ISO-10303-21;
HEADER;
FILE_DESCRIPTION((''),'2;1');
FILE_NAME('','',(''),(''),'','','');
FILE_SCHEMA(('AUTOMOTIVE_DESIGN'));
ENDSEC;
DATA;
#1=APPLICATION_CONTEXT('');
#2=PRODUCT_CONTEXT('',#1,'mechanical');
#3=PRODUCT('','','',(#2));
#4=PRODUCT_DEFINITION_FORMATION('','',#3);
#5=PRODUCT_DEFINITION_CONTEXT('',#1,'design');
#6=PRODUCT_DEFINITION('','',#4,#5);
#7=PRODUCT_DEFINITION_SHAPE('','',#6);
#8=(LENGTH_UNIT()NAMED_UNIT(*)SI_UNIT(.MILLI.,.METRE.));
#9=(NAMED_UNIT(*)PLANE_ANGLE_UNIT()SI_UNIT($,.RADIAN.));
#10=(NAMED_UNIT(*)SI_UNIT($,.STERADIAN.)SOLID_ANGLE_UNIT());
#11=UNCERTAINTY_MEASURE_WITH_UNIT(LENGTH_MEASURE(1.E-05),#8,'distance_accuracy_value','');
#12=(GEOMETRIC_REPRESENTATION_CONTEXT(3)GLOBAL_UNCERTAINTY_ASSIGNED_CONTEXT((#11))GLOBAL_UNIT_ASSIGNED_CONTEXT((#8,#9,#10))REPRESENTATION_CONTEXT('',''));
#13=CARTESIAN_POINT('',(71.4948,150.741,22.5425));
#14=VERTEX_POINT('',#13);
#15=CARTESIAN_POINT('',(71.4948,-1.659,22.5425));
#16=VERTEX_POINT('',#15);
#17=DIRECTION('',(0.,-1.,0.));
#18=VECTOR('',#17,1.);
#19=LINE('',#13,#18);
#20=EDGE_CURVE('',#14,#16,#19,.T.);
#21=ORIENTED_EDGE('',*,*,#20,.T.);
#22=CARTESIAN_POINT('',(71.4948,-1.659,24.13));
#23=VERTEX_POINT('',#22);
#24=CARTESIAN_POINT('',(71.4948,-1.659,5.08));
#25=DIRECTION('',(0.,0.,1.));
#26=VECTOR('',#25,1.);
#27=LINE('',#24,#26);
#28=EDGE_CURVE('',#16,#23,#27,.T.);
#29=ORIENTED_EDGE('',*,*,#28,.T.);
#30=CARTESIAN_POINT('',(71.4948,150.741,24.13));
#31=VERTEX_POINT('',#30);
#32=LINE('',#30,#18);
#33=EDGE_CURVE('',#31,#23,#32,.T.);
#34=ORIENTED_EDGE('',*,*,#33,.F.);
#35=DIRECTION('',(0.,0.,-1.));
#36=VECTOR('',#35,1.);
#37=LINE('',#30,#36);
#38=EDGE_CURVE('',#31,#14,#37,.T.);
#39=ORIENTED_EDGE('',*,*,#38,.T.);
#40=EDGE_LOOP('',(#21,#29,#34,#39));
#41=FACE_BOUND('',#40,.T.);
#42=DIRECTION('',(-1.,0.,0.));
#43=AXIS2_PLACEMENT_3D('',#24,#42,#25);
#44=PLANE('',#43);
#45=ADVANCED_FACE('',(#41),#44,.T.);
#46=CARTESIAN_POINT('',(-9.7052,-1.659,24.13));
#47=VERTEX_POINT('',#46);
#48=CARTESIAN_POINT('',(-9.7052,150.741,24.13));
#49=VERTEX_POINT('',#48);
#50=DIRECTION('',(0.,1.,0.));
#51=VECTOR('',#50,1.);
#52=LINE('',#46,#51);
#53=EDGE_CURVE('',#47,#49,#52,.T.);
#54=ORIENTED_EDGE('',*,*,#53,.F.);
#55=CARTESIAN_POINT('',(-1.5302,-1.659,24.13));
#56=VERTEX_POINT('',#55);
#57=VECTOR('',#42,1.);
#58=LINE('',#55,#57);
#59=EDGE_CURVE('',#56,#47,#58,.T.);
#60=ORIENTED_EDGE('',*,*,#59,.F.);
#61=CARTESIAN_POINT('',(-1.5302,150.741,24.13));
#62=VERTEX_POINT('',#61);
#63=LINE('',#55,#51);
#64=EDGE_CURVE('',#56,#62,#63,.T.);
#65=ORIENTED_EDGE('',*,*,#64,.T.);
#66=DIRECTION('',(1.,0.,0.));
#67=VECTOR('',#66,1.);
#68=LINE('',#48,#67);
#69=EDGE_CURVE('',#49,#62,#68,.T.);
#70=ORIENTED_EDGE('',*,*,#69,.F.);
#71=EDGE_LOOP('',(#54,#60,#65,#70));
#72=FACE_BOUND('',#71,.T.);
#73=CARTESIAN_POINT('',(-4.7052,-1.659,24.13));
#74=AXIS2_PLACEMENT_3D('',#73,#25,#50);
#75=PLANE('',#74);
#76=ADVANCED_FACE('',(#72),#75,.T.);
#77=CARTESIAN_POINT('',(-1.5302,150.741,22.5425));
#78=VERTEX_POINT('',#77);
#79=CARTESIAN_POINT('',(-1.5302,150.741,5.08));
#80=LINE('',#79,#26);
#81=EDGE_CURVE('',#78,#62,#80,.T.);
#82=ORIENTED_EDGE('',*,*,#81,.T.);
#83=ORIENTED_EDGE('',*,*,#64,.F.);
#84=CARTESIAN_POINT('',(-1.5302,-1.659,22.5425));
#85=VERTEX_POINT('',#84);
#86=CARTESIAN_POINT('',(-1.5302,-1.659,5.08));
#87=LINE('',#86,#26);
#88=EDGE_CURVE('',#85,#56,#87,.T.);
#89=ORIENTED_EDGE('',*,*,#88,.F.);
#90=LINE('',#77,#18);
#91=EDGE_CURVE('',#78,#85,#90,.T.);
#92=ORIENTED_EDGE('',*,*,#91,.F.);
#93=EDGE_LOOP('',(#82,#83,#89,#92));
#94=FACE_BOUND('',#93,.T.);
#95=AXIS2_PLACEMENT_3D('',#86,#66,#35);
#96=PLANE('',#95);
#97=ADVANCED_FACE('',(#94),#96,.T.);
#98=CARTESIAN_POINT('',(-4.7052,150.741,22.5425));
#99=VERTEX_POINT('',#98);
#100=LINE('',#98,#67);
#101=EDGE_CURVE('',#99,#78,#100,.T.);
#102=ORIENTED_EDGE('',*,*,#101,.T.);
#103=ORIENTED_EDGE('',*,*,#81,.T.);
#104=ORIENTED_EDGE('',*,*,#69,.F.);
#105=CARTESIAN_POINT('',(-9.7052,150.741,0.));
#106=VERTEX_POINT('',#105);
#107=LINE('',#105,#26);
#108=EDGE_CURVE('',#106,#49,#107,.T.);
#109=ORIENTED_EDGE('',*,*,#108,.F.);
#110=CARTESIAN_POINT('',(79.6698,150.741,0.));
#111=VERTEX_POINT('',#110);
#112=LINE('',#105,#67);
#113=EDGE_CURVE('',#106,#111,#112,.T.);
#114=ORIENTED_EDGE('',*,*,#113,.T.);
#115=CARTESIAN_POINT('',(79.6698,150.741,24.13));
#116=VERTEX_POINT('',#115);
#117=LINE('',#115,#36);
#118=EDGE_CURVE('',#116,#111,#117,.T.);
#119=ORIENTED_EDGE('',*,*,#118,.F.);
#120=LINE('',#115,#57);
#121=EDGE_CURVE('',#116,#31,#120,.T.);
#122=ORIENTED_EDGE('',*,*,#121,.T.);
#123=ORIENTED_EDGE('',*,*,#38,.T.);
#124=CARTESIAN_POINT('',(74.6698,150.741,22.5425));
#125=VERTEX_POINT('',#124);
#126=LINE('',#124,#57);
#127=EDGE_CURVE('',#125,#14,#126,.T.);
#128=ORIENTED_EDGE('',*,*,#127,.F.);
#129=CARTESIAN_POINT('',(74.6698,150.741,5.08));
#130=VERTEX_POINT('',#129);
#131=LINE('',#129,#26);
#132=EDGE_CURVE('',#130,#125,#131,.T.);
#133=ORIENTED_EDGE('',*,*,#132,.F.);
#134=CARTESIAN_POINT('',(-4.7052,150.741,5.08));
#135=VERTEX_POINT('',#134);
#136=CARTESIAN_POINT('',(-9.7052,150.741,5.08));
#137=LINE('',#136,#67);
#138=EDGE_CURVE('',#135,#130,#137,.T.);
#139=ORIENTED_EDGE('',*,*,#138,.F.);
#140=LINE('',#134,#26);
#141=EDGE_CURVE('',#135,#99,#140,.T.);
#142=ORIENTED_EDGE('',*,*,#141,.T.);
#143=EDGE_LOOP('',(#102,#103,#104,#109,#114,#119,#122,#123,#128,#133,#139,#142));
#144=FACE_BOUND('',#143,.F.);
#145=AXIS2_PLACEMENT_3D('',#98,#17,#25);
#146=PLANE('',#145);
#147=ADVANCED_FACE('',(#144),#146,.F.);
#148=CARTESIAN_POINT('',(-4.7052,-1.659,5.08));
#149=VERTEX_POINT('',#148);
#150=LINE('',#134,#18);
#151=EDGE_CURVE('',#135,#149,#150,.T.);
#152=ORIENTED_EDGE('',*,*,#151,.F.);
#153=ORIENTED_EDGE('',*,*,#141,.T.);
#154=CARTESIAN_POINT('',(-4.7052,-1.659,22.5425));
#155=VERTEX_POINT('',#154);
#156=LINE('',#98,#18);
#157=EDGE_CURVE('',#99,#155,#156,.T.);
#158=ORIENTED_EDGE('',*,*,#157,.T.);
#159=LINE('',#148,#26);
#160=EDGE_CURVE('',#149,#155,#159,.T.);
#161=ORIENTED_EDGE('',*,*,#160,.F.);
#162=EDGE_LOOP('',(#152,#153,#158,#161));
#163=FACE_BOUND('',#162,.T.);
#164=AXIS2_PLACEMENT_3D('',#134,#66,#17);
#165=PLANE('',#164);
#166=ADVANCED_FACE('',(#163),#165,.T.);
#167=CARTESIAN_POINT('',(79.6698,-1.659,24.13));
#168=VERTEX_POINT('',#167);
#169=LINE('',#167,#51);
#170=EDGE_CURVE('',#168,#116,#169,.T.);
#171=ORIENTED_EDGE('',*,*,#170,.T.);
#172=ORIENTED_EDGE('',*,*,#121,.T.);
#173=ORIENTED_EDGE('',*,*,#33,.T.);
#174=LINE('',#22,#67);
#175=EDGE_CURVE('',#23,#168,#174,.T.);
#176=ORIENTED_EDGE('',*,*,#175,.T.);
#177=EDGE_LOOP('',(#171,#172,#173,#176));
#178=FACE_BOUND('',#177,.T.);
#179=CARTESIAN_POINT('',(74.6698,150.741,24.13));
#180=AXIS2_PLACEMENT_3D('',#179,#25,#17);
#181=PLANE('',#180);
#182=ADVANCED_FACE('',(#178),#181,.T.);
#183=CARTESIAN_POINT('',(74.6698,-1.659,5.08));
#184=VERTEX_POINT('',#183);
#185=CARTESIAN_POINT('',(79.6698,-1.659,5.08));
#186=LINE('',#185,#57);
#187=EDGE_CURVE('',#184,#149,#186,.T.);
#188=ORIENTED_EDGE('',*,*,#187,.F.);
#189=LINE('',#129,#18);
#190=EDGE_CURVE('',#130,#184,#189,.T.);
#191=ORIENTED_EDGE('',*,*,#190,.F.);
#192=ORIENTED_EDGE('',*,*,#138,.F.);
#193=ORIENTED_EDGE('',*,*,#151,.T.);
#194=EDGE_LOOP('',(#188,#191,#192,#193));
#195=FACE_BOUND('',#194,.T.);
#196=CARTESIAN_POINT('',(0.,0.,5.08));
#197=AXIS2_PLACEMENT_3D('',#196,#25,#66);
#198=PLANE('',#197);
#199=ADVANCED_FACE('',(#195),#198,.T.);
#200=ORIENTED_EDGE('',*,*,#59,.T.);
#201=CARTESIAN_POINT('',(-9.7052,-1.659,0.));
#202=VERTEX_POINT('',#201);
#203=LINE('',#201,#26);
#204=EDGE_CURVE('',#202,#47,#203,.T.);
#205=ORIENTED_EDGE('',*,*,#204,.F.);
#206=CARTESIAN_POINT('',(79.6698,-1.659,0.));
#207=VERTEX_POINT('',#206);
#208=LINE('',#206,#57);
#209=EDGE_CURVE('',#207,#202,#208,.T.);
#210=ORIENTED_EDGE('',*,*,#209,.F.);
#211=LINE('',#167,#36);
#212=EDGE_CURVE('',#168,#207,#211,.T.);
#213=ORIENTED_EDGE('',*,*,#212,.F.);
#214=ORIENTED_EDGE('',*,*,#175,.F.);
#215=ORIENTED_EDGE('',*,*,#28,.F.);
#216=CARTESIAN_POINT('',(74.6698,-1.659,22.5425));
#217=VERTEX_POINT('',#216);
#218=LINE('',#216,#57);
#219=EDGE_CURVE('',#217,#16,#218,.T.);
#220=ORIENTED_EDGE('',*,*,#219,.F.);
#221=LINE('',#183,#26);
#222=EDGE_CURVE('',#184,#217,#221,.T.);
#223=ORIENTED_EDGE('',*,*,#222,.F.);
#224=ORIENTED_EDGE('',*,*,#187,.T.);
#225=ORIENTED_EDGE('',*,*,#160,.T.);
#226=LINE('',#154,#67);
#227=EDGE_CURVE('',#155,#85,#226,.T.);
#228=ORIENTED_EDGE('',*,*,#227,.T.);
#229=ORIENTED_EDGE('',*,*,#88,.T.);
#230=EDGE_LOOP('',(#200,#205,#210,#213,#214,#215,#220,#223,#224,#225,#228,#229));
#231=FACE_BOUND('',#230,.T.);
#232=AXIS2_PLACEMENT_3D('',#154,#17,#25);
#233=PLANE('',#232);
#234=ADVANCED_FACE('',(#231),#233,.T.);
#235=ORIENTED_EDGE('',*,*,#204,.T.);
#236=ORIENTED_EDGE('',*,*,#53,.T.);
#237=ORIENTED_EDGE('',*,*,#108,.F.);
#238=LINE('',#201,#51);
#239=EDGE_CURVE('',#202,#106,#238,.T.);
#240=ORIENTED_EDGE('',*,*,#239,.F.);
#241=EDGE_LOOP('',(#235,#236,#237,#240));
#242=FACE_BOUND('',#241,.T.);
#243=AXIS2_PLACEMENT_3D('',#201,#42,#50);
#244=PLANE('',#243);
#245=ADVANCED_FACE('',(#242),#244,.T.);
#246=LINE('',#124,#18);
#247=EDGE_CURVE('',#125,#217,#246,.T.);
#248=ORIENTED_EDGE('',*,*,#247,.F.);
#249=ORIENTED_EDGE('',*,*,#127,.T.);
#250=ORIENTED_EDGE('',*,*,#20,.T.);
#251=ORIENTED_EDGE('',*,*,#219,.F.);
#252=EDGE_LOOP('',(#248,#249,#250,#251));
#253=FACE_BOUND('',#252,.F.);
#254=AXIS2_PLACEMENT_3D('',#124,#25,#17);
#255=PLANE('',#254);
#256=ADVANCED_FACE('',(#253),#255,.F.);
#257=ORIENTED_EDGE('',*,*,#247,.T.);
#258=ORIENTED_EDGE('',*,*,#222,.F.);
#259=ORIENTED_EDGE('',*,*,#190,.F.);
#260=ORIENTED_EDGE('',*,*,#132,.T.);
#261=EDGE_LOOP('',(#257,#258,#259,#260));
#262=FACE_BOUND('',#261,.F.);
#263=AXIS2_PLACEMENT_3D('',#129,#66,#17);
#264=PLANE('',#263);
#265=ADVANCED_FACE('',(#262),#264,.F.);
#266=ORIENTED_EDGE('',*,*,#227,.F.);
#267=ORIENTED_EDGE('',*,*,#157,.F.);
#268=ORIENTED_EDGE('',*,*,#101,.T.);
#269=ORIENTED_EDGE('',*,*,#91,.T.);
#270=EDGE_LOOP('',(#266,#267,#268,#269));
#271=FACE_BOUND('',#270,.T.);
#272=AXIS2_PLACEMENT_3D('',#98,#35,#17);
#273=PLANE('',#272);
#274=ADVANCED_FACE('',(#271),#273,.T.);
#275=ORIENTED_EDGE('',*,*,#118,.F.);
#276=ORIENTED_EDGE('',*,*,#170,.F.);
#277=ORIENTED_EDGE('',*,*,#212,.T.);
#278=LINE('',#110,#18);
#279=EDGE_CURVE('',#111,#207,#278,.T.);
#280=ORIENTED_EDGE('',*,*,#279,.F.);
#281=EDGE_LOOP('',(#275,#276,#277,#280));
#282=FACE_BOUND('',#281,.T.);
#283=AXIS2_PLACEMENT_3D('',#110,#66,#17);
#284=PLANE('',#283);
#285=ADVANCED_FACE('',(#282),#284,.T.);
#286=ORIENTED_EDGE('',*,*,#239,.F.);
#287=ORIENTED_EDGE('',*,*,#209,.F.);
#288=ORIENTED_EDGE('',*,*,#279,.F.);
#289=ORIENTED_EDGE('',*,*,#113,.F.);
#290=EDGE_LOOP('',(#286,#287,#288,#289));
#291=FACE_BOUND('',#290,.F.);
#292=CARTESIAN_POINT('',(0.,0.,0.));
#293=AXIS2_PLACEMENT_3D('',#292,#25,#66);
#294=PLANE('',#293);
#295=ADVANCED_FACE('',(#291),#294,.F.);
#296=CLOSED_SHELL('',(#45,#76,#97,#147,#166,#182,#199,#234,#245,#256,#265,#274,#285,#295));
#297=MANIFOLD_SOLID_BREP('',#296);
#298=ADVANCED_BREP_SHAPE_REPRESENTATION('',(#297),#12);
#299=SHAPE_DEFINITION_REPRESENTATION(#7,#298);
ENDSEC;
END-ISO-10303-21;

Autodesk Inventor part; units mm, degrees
ref_plane "YZ Plane" through (0, 0, 0) normal (1, 0, 0) x (0, 1, 0)
ref_plane "XZ Plane" through (0, 0, 0) normal (0, 1, 0) x (-1, 0, 0)
ref_plane "XY Plane" through (0, 0, 0) normal (0, 0, 1) x (1, 0, 0)
sketch "Sketch1" plane through (0, 0, 0) normal (0, 0, 1) x (1, 0, 0)
  line L0 (-9.7052, 150.741) -> (79.6698, 150.741)
  line L1 (79.6698, 150.741) -> (79.6698, -1.659)
  line L2 (79.6698, -1.659) -> (-9.7052, -1.659)
  line L3 (-9.7052, -1.659) -> (-9.7052, 150.741)
  point P0 (0, 0)
  dimension "d0" = 89.375
  dimension "d1" = 152.4
extrude "Extrusion1" add sketch "Sketch1" along normal blind 5.08
sketch "Sketch2" plane through (0, 0, 5.08) normal (0, 0, 1) x (1, 0, 0)
  line L0 (79.6698, 150.741) -> (-9.7052, 150.741) projected
  line L1 (-9.7052, -1.659) -> (79.6698, -1.659) projected
  line L2 (-9.7052, 150.741) -> (-4.7052, 150.741)
  line L3 (-4.7052, 150.741) -> (-4.7052, -1.659)
  line L4 (-4.7052, -1.659) -> (-9.7052, -1.659)
  line L5 (-9.7052, -1.659) -> (-9.7052, 150.741)
  line L6 (79.6698, 150.741) -> (74.6698, 150.741)
  line L7 (74.6698, 150.741) -> (74.6698, -1.659)
  line L8 (74.6698, -1.659) -> (79.6698, -1.659)
  line L9 (79.6698, -1.659) -> (79.6698, 150.741)
  point P0 (0, 0)
  dimension "d4" = 5
  dimension "d5" = 5
extrude "Extrusion2" add sketch "Sketch2" along normal blind 19.05 contours L9 L1 L7 L0 | L3 L1 L5 L0
sketch "Sketch3" plane through (-4.7052, -1.659, 5.08) normal (1, 0, 0) x (0, 0, -1)
  line L0 (0, 152.4) -> (-19.05, 152.4) projected
  line L1 (0, 0) -> (-19.05, 0) projected
  line L2 (-19.05, 152.4) -> (-17.4625, 152.4)
  line L3 (-17.4625, 152.4) -> (-17.4625, 0)
  line L4 (-17.4625, 0) -> (-19.05, 0)
  line L5 (-19.05, 0) -> (-19.05, 152.4)
  point P0 (5.08, 1.659)
  dimension "d8" = 1.5875
sketch "Sketch4" plane through (74.6698, -1.659, 5.08) normal (-1, 0, 0) x (0, 0, 1)
  line L0 (19.05, 152.4) -> (19.05, 0) projected
  line L1 (0, 0) -> (19.05, 0) projected
  line L2 (19.05, 152.4) -> (17.4625, 152.4)
  line L3 (17.4625, 152.4) -> (17.4625, 0)
  line L4 (17.4625, 0) -> (19.05, 0)
  line L5 (19.05, 0) -> (19.05, 152.4)
  point P0 (-5.08, 1.659)
  dimension "d9" = 1.5875
extrude "Extrusion3" add sketch "Sketch4" along normal blind 3.175
extrude "Extrusion4" add sketch "Sketch3" along normal blind 3.175
properties part number "Phone Mount"
